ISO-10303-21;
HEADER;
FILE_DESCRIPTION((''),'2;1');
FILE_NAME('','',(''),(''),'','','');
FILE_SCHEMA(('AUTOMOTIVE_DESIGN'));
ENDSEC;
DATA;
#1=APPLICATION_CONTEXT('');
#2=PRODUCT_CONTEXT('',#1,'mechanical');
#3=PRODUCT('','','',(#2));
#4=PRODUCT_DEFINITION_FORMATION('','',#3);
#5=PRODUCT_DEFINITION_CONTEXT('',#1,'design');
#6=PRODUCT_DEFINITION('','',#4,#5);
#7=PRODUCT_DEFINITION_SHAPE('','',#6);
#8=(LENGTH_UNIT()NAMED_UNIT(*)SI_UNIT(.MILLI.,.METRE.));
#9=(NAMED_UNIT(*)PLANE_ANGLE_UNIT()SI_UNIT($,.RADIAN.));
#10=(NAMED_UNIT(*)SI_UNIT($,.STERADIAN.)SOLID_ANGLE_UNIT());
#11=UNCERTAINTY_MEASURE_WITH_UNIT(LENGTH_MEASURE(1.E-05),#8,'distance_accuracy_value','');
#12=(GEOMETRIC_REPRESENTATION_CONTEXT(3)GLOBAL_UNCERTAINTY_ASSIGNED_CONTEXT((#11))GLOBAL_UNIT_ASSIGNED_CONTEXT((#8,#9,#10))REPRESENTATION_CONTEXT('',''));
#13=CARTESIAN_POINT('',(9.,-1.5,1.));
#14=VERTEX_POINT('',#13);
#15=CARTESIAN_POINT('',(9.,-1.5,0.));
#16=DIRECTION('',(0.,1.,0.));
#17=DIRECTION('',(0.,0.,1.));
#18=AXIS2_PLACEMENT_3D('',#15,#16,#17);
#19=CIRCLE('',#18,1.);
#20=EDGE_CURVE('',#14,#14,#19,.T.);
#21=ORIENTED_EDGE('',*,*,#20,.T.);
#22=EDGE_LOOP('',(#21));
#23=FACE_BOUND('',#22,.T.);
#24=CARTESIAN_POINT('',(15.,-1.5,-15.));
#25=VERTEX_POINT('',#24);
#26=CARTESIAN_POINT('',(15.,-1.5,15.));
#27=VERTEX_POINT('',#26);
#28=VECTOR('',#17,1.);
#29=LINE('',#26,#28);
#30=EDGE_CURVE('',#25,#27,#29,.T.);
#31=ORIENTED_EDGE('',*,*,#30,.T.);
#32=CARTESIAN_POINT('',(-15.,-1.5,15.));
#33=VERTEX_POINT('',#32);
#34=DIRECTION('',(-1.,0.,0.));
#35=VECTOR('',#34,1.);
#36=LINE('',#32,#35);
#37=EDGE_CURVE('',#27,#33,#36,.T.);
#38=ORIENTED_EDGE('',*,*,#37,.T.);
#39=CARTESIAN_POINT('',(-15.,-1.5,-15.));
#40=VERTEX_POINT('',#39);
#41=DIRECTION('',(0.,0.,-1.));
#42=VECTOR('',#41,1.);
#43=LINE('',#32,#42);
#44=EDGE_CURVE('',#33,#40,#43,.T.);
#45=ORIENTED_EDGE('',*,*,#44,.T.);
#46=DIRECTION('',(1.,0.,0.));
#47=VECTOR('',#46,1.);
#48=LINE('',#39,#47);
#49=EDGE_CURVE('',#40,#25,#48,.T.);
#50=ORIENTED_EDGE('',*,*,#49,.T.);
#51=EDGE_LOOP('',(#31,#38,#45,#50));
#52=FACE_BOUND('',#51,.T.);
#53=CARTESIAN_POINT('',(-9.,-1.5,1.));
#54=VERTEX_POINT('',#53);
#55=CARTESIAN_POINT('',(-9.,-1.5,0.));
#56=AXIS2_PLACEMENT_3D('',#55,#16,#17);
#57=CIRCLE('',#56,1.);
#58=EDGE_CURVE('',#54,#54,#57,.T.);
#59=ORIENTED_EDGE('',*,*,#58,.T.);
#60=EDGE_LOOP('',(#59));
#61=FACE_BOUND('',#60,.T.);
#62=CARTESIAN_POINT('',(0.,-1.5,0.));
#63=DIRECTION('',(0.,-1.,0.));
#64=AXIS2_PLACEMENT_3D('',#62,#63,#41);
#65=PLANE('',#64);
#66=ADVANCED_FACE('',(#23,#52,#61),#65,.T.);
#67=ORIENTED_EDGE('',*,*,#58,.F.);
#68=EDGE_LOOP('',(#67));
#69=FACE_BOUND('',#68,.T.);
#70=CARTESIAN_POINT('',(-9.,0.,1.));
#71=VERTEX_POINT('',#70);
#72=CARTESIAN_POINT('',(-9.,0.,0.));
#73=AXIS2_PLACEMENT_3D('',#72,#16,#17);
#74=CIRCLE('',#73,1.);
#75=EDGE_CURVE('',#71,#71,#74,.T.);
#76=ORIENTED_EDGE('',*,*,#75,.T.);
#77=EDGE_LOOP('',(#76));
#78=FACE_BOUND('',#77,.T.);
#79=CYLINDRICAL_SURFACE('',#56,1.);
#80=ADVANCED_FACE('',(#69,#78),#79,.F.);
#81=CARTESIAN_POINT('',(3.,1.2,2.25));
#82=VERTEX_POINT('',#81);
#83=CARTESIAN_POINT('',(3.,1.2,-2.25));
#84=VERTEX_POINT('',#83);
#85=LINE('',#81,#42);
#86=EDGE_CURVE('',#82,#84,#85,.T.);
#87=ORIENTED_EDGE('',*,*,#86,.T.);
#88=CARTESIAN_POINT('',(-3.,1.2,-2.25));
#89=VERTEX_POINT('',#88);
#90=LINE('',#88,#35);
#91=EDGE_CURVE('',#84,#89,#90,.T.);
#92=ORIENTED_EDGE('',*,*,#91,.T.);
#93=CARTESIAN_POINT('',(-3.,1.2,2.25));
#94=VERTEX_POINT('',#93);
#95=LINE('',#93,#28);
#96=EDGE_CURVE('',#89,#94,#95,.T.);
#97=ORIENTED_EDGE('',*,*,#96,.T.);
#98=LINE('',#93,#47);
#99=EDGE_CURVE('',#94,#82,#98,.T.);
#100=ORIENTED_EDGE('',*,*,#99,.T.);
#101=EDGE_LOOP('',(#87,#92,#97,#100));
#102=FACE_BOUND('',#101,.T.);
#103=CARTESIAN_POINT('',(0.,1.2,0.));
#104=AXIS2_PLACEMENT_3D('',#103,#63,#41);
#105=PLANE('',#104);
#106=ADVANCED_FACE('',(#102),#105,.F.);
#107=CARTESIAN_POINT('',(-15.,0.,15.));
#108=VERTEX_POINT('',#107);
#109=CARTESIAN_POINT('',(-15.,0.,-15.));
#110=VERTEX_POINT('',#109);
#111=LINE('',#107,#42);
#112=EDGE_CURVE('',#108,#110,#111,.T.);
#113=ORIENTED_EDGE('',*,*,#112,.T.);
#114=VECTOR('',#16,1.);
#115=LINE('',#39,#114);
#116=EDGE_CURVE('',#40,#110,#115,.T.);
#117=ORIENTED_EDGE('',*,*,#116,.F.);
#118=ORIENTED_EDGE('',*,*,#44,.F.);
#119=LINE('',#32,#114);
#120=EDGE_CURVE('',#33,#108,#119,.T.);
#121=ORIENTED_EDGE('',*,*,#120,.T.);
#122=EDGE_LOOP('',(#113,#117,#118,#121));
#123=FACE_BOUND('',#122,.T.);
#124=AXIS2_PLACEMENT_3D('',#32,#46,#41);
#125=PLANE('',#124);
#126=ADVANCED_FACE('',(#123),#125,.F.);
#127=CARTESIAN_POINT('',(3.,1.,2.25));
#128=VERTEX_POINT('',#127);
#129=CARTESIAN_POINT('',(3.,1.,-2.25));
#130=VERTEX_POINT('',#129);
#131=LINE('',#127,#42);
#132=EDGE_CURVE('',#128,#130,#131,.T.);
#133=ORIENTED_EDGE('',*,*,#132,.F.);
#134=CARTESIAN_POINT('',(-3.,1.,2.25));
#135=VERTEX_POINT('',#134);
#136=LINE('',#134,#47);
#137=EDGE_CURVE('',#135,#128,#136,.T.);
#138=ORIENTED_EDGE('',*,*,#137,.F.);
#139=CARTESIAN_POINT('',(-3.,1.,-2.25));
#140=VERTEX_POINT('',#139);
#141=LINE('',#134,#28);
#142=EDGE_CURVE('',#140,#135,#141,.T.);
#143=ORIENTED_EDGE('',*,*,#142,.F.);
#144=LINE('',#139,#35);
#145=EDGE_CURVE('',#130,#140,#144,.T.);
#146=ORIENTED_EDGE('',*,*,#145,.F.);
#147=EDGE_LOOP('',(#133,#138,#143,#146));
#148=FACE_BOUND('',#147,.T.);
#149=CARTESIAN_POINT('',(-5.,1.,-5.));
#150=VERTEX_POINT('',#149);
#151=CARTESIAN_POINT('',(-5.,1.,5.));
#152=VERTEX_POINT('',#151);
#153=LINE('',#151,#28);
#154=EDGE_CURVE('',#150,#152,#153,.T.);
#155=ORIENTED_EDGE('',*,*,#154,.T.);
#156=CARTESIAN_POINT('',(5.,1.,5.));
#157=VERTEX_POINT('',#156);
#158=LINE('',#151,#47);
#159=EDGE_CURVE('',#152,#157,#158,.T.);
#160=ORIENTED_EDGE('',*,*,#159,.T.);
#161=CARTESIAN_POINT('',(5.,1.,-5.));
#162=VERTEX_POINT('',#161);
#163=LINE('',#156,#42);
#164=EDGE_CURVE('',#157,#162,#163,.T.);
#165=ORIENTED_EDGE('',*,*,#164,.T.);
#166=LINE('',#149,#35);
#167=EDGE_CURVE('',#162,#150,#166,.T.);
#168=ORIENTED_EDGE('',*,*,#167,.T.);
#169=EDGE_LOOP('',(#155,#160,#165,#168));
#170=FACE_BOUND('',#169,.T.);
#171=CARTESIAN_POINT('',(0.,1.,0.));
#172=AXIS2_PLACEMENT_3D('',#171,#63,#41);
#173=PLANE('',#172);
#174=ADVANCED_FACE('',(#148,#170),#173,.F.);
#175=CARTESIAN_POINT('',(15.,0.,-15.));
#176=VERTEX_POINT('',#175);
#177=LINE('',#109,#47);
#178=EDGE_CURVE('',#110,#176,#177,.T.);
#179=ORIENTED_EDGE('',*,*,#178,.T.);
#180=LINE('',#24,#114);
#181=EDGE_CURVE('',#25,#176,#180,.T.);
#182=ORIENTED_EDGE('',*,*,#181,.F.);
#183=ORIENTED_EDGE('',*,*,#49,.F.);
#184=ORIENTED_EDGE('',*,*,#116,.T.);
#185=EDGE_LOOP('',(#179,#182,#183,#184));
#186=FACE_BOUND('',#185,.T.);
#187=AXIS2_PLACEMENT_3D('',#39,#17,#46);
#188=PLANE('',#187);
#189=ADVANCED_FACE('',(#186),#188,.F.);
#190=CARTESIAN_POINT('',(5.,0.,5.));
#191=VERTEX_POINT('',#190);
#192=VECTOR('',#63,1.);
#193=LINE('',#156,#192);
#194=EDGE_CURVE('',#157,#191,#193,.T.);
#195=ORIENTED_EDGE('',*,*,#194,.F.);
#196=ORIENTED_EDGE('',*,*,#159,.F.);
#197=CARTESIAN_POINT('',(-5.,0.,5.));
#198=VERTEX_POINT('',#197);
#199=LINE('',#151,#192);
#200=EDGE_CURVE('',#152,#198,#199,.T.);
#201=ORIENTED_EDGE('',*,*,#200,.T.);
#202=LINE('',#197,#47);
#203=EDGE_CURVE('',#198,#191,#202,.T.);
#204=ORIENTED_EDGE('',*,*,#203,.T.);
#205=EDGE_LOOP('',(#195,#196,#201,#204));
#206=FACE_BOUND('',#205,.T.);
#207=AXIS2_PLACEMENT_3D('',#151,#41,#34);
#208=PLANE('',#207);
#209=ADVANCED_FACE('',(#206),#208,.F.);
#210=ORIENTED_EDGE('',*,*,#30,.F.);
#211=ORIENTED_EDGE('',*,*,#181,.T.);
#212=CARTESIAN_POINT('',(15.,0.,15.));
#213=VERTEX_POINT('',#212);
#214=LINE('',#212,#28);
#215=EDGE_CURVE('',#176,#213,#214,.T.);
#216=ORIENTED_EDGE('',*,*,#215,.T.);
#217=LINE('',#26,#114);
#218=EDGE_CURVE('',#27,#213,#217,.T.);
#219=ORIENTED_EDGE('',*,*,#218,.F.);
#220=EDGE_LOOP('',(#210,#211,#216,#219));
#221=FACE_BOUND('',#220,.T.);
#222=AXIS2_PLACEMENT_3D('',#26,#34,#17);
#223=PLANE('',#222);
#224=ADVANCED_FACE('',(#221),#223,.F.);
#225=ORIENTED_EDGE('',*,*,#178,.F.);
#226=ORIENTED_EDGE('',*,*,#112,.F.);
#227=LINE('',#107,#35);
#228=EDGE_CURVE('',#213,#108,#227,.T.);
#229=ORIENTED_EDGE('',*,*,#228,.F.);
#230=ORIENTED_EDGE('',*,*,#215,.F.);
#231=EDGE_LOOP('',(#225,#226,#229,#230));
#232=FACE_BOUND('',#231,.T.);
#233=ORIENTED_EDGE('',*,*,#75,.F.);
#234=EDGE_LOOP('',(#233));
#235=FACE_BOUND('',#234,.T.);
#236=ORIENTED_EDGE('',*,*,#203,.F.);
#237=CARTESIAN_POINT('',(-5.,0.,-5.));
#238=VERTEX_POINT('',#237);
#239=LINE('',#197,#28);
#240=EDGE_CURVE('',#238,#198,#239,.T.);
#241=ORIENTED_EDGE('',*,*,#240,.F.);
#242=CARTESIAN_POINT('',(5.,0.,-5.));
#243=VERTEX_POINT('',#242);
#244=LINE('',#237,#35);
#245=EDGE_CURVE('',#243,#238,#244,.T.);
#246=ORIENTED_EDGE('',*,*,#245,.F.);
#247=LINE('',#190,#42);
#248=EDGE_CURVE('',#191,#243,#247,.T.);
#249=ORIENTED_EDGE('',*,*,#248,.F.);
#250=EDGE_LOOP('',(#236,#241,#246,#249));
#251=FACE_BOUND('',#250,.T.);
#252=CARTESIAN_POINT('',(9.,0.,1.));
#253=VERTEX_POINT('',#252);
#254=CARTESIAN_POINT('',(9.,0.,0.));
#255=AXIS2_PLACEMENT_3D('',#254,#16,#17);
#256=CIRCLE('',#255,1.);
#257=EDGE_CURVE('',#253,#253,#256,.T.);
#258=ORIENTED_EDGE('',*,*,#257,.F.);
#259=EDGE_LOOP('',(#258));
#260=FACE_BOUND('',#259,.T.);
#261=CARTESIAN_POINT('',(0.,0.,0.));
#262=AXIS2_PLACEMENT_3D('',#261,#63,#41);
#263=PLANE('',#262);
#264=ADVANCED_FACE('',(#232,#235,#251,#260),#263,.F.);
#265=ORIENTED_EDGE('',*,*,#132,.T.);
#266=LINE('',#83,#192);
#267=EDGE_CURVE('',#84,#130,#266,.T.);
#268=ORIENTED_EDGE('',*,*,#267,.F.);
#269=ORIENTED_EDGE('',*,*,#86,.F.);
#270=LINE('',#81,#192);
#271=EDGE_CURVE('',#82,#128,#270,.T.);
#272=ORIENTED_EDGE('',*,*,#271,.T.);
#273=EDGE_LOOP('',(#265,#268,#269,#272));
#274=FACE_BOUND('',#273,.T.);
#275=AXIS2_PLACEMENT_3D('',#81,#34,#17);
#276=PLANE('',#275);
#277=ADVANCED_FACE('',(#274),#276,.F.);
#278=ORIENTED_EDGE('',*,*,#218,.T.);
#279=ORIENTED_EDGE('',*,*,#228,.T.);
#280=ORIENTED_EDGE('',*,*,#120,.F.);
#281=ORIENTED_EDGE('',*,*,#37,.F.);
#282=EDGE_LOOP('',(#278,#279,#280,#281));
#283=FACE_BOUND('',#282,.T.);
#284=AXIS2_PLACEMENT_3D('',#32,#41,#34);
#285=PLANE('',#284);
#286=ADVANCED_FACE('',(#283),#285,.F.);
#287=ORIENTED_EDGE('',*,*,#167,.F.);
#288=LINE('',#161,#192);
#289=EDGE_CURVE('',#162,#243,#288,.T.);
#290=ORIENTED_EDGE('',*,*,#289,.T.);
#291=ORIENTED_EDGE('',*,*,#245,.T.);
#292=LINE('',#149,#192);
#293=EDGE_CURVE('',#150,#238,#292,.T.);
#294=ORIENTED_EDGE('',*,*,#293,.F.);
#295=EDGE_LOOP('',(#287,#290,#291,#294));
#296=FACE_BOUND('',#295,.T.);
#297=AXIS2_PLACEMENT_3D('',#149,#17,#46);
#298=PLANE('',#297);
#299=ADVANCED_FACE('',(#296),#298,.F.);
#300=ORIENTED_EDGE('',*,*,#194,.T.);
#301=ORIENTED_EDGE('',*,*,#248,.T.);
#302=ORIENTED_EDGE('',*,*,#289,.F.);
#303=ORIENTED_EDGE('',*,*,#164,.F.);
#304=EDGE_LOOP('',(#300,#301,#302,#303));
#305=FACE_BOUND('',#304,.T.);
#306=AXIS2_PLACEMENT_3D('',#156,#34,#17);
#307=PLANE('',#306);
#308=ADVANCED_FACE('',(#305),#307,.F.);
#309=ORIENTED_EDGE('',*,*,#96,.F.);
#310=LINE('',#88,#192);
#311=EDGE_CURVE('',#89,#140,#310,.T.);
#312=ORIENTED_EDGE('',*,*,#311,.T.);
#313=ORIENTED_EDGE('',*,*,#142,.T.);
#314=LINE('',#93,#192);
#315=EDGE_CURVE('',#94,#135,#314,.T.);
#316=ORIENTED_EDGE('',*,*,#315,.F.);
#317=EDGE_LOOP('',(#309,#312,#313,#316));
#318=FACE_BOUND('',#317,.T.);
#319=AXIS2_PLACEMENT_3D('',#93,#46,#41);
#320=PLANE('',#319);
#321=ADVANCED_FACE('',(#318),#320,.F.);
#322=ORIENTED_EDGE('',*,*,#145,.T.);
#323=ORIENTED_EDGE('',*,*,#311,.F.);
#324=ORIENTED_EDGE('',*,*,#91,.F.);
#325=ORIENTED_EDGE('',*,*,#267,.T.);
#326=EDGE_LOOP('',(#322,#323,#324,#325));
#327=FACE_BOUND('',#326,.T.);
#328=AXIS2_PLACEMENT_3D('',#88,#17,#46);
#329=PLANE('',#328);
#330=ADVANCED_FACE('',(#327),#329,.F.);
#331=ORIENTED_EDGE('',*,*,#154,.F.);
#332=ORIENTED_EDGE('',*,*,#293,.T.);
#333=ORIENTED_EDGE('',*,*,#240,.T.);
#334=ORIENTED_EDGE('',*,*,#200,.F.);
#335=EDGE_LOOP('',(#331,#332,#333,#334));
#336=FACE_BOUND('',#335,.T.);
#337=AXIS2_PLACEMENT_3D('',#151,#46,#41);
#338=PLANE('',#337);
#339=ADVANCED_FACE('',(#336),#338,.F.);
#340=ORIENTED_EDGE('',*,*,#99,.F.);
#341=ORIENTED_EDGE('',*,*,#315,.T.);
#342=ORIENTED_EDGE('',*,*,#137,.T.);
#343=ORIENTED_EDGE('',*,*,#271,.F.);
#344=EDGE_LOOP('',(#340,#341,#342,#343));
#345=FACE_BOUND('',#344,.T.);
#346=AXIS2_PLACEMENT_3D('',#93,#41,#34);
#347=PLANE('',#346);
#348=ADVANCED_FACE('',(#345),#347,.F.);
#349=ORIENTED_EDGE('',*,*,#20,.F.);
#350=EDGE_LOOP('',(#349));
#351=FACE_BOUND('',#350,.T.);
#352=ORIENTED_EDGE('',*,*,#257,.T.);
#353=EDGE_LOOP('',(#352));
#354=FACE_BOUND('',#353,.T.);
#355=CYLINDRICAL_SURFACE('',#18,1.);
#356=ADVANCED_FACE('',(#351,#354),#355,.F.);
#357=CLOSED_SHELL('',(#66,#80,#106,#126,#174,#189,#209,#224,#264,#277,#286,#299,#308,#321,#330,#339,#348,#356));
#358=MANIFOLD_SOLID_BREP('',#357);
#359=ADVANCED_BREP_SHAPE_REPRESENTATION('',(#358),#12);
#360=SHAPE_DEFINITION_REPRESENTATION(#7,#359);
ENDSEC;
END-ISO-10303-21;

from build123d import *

# Parameters (mm, degrees)
SKETCH_1_W          = 10
SKETCH_1_H          = 10
EXTRUDE_1_DEPTH     = 1
SKETCH_2_W          = 6
SKETCH_2_H          = 4.5
EXTRUDE_2_DEPTH     = 0.2
SKETCH_3_W          = 30
SKETCH_3_H          = 30
EXTRUDE_3_DEPTH     = 1.5
SKETCH_4_R          = 1
CUT_EXTRUDE_2_DEPTH = 22.266170318


with BuildPart() as part:
    # 草图1 → 凸台-拉伸1 (new body)
    with BuildSketch(Plane(origin=(0, 0, 0), x_dir=(1, 0, 0), z_dir=(0, 1, 0))):
        Rectangle(SKETCH_1_W, SKETCH_1_H)
    extrude(amount=EXTRUDE_1_DEPTH)

    # 草图2 → 凸台-拉伸2 (add)
    with BuildSketch(Plane(origin=(0, 1, 0), x_dir=(1, 0, 0), z_dir=(0, 1, 0))):
        Rectangle(SKETCH_2_W, SKETCH_2_H)
    extrude(amount=EXTRUDE_2_DEPTH)

    # 草图3 → 凸台-拉伸3 (add)
    with BuildSketch(Plane.XZ):
        Rectangle(SKETCH_3_W, SKETCH_3_H)
    extrude(amount=EXTRUDE_3_DEPTH)

    # 草图4 → 切除-拉伸2 (cut, through all)
    with BuildSketch(Plane(origin=(0, 0, 0), x_dir=(1, 0, 0), z_dir=(0, 1, 0))):
        with Locations((9, 0)):
            Circle(SKETCH_4_R)
        with Locations((-9, 0)):
            Circle(SKETCH_4_R)
    extrude(amount=-CUT_EXTRUDE_2_DEPTH, mode=Mode.SUBTRACT)


solid = part.part
